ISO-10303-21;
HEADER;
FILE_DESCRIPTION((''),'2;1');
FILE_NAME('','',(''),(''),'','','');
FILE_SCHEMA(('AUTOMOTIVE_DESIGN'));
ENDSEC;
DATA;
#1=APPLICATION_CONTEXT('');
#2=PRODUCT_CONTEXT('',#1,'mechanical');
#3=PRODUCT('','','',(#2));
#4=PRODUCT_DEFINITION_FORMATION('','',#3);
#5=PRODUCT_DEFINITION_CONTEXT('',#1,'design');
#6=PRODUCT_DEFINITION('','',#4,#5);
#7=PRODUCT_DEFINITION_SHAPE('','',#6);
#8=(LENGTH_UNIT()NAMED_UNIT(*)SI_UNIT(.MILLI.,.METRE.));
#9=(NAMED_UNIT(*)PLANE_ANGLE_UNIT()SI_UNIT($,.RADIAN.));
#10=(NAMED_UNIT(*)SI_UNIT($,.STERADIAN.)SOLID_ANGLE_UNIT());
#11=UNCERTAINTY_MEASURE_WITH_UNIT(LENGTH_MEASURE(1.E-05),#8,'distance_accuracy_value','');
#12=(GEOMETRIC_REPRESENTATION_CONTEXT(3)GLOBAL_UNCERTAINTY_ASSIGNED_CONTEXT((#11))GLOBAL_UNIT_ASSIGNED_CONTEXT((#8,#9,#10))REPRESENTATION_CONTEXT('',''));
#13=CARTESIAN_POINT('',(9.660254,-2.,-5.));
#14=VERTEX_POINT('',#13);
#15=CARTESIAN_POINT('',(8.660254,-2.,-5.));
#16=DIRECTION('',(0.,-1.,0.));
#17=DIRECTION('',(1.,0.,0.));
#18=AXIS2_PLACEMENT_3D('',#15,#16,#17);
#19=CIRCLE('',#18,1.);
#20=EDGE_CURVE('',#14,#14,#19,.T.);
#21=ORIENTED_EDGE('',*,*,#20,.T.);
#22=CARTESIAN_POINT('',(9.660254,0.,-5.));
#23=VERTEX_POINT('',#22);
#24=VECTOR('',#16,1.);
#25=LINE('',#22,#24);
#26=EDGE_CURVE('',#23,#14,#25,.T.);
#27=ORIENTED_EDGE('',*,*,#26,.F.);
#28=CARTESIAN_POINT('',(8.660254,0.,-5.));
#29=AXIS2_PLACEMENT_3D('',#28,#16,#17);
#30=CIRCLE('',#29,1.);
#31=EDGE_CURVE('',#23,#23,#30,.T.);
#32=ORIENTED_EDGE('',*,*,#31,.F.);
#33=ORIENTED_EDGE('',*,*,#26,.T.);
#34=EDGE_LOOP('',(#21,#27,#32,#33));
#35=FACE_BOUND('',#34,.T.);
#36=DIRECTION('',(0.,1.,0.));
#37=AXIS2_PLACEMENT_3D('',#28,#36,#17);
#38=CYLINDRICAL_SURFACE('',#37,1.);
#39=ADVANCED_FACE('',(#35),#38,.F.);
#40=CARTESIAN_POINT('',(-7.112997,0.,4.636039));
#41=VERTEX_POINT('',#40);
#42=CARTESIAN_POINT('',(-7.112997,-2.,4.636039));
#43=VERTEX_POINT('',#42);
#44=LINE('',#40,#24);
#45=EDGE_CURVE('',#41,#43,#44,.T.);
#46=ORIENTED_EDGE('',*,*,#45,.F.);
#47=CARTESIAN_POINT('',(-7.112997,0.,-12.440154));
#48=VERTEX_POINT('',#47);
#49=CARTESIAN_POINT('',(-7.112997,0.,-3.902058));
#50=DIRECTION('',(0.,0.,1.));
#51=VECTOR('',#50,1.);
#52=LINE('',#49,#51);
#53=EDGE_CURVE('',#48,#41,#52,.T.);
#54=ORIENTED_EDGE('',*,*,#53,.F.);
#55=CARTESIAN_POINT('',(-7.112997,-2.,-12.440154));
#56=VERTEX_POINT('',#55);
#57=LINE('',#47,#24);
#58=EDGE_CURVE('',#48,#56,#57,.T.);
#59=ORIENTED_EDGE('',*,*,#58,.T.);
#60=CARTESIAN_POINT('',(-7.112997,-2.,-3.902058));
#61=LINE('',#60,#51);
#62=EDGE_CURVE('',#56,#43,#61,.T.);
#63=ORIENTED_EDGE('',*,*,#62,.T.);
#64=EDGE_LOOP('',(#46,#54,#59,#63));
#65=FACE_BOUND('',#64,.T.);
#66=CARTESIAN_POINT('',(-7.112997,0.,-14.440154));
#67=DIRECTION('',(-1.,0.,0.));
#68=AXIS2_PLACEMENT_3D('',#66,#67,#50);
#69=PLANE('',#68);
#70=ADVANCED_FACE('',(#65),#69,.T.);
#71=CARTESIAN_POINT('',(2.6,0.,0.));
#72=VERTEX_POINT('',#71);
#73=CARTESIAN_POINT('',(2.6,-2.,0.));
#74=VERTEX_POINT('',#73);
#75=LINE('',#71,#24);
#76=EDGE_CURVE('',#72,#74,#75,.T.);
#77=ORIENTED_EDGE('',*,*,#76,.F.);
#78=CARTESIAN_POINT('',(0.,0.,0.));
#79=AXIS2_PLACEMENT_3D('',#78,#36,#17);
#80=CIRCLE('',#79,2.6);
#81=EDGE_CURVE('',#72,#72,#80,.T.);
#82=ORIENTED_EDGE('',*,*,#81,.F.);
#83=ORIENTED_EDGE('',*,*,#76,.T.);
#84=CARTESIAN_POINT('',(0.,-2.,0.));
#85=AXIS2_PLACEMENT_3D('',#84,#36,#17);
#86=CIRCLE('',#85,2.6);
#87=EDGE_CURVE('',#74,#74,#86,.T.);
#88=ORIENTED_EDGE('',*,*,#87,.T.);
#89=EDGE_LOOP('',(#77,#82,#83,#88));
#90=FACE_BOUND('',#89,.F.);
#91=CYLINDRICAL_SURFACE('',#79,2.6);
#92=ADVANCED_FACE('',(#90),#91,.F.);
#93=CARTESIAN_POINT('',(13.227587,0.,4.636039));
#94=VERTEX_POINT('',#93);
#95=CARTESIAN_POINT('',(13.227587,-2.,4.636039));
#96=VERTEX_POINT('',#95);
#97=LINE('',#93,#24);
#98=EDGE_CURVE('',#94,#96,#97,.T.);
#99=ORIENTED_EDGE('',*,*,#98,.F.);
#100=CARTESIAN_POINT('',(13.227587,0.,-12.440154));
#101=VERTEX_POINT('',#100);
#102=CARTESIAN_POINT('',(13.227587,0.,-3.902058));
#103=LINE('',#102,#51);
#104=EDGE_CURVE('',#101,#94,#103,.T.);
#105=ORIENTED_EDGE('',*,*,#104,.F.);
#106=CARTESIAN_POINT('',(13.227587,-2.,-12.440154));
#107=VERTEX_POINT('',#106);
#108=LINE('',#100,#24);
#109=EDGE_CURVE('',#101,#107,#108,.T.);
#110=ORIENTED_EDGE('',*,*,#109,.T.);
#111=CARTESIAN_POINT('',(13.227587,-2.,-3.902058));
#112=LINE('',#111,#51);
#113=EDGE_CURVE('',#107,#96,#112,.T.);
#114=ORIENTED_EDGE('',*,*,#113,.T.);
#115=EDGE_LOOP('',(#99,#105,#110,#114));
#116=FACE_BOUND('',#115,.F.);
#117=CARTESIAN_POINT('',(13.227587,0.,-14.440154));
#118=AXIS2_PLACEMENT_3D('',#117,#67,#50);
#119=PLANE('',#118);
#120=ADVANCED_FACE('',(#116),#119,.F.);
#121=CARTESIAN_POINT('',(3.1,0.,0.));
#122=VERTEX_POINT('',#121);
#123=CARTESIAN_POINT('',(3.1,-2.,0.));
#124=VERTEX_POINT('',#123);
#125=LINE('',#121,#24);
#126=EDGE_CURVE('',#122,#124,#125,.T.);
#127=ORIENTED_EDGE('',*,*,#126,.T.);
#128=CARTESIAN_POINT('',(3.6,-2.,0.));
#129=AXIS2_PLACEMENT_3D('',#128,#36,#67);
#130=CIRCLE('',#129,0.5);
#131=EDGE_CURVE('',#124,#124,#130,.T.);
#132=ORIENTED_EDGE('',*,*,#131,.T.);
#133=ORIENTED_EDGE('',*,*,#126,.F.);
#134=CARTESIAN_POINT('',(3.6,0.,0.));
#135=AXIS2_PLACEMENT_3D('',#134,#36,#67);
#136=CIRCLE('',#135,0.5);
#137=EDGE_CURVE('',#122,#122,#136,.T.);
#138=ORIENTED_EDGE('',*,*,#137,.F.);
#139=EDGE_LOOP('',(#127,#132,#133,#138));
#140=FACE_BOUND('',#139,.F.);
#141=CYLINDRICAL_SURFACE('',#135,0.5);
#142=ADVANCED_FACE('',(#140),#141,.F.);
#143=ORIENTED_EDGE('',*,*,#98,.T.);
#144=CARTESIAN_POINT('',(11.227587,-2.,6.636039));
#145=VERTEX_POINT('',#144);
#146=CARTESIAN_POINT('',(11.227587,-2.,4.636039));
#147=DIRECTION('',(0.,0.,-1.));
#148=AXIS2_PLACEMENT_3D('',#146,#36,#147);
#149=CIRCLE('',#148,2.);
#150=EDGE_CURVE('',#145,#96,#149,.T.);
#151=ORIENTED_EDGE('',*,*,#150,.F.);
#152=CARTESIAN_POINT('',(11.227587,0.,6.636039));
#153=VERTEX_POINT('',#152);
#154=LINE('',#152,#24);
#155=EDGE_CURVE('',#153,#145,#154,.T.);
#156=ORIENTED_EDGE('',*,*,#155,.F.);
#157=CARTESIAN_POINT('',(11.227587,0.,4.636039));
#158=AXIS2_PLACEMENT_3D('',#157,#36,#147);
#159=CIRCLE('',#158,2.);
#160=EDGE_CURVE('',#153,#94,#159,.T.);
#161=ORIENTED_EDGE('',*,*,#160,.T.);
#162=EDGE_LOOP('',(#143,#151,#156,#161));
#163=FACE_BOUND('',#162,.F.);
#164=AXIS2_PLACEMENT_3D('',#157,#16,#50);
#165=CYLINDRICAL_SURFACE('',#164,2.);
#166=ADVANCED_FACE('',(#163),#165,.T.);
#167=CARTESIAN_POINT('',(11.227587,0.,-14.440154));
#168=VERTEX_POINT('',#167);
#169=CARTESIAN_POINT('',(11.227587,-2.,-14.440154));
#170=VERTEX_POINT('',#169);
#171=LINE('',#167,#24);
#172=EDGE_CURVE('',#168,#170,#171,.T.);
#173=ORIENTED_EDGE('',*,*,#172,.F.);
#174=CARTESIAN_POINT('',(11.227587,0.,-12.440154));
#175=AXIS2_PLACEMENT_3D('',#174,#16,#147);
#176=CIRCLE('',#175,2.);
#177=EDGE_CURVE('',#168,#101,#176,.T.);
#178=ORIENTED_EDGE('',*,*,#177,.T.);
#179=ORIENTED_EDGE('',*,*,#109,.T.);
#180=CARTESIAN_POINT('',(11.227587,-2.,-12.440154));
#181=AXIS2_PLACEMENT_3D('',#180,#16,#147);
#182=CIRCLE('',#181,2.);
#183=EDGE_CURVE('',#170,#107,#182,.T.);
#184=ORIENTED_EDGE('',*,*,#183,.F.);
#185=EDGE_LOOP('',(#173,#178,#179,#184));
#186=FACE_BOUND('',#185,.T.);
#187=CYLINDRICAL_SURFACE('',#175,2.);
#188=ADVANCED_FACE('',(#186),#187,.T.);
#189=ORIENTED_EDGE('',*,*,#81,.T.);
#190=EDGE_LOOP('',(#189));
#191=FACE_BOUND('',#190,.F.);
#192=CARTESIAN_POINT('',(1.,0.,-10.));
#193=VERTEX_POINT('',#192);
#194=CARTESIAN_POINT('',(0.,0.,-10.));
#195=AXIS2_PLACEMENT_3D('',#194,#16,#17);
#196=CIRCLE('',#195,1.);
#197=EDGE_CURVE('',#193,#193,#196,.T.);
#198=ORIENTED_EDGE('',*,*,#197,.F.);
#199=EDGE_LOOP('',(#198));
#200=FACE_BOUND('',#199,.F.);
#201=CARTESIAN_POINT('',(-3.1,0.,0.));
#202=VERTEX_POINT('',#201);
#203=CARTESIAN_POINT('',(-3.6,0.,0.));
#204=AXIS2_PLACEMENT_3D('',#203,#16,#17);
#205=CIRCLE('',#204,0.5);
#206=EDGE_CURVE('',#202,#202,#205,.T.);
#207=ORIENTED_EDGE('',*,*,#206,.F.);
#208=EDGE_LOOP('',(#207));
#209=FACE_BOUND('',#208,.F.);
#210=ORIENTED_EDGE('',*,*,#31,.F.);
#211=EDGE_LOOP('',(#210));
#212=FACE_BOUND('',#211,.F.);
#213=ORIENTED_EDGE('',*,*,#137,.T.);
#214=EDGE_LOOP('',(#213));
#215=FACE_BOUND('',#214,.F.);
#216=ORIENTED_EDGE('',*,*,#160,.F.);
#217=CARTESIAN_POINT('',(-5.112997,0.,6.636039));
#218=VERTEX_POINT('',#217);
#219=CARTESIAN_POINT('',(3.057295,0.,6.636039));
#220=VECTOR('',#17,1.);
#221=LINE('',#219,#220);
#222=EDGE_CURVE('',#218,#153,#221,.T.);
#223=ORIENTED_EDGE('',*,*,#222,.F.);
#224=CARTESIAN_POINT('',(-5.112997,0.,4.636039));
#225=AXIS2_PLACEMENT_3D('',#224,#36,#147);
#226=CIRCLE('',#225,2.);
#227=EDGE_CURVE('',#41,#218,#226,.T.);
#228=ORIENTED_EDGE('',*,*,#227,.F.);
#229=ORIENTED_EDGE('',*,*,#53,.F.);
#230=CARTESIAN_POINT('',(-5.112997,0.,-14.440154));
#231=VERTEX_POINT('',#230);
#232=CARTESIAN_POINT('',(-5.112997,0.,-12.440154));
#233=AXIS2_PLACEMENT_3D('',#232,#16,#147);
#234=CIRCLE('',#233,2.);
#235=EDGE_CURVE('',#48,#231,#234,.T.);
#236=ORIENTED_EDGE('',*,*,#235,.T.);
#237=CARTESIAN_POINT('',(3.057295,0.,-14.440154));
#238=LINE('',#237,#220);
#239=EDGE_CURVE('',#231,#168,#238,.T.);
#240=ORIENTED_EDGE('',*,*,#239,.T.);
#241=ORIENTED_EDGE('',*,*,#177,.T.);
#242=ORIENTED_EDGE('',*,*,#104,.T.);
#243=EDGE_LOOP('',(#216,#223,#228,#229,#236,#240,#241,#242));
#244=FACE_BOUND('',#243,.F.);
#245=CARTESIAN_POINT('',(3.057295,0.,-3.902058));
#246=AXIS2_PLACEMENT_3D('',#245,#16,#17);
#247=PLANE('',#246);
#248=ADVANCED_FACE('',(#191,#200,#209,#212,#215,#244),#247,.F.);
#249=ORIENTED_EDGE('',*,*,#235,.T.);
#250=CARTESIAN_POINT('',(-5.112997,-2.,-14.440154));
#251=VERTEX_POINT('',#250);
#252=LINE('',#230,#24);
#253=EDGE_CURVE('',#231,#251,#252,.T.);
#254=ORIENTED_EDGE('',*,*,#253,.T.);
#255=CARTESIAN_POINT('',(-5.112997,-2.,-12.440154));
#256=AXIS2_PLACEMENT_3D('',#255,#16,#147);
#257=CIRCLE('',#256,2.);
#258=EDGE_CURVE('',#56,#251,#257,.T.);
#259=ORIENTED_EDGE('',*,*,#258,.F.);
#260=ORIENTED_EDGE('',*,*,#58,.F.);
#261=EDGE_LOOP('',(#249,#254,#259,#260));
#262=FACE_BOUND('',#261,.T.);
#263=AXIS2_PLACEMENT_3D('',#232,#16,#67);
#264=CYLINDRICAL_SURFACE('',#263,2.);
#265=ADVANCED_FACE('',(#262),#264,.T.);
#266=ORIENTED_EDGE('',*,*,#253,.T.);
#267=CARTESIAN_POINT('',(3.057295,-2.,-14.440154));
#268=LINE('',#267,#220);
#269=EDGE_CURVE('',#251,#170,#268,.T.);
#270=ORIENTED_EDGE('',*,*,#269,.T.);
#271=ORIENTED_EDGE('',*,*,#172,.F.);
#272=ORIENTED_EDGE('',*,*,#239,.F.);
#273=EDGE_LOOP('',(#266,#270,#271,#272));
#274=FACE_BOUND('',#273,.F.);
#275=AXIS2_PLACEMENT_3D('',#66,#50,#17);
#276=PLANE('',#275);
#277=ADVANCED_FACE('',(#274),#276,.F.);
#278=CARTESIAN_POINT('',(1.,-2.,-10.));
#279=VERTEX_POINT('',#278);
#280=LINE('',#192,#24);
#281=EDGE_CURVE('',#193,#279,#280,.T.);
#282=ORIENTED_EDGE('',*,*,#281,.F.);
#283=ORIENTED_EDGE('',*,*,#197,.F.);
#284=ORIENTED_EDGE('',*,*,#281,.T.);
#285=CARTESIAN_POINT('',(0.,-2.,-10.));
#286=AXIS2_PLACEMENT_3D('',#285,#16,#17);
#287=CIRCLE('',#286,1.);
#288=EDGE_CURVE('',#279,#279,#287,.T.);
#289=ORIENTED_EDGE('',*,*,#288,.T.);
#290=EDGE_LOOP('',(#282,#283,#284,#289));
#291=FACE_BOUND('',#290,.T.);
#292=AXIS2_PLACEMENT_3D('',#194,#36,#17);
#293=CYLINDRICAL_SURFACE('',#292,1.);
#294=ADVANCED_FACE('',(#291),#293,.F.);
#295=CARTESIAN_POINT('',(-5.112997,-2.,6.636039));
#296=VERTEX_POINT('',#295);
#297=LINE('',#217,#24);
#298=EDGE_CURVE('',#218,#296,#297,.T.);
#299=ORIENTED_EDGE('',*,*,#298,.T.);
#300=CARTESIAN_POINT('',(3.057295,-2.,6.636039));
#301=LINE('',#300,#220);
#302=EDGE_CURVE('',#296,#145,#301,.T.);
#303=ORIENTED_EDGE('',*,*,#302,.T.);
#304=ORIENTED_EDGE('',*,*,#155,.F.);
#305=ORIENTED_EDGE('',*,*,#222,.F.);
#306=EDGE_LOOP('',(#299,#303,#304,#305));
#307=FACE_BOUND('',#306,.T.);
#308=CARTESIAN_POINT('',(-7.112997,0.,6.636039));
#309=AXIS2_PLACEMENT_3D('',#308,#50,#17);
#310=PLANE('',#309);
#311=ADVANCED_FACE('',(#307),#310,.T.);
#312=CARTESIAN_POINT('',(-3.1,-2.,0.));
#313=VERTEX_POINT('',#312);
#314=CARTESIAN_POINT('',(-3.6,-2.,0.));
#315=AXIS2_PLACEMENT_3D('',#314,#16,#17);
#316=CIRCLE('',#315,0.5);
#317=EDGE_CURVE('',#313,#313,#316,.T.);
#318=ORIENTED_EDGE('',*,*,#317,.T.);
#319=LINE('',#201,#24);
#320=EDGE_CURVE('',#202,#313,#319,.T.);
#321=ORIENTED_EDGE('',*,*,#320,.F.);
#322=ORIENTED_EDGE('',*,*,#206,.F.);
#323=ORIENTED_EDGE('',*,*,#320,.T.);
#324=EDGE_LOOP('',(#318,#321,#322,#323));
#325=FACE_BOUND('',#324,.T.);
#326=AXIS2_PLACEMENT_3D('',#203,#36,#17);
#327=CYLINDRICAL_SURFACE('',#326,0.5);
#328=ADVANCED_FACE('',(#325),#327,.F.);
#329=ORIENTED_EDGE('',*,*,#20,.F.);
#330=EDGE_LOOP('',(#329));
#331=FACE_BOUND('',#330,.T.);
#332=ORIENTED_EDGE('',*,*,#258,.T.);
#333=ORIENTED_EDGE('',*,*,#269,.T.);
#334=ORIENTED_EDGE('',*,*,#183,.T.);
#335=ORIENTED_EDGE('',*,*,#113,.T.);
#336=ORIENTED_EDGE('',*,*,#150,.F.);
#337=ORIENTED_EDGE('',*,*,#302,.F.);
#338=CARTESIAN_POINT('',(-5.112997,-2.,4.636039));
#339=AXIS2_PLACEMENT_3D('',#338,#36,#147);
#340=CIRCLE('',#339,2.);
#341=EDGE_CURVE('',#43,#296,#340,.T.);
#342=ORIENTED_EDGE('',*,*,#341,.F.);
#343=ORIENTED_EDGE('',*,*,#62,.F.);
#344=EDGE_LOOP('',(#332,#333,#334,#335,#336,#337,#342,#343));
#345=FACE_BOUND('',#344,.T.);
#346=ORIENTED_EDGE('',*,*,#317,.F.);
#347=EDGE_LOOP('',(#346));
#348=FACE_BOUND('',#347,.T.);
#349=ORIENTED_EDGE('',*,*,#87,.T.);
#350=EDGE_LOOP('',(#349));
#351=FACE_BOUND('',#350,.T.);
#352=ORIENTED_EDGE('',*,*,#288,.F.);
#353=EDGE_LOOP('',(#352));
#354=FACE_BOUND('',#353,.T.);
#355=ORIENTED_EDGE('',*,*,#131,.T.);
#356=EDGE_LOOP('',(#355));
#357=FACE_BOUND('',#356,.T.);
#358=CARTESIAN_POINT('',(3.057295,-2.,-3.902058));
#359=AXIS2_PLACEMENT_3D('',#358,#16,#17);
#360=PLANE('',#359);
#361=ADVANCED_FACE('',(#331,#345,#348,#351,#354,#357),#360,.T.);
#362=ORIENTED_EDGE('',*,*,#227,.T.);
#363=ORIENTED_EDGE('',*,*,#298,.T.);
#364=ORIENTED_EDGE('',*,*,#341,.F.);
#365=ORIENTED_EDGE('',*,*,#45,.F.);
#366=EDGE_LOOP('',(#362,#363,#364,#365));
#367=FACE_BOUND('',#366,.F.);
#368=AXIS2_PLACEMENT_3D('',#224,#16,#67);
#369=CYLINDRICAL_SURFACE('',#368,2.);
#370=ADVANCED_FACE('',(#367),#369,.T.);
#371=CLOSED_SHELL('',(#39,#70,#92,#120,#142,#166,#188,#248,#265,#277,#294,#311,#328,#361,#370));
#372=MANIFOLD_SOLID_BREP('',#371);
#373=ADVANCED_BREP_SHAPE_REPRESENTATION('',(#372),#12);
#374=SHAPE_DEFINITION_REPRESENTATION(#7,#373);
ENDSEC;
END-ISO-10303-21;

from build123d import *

# Parameters (mm, degrees)
F0_W     = 20.3405842327
F0_H     = 21.0761930935
F0_R     = 1
F0_R_2   = 0.5
F1_DEPTH = 2
F2_R     = 2


with BuildPart() as f1:
    # F0 (on Front) → F1 (new body)
    with BuildSketch(Plane.XZ):
        with Locations((3.0572951424, -3.9020577932)):
            Rectangle(F0_W, F0_H)
        with Locations((0, -10)):
            Circle(F0_R, mode=Mode.SUBTRACT)
        with Locations((8.6602540378, -5)):
            Circle(F0_R, mode=Mode.SUBTRACT)
        with Locations((-3.6, 0)):
            Circle(F0_R_2, mode=Mode.SUBTRACT)
        with BuildLine():
            ThreePointArc((-2.6, 0), (0, 2.6), (2.6, 0))
            ThreePointArc((2.6, 0), (0, -2.6), (-2.6, 0))
        make_face(mode=Mode.SUBTRACT)
        with BuildLine():
            ThreePointArc((4.1, 0), (3.6, -0.5), (3.1, 0))
            ThreePointArc((3.1, 0), (3.6, 0.5), (4.1, 0))
        make_face(mode=Mode.SUBTRACT)
    extrude(amount=F1_DEPTH)

    # F2
    f2_edges = [f1.edges().sort_by_distance(p)[0] for p in [
        (-7.112997, -1, 6.636039),
        (13.227587, -1, 6.636039),
        (13.227587, -1, -14.440154),
        (-7.112997, -1, -14.440154),
    ]]
    fillet(f2_edges, radius=F2_R)


solid = f1.part
